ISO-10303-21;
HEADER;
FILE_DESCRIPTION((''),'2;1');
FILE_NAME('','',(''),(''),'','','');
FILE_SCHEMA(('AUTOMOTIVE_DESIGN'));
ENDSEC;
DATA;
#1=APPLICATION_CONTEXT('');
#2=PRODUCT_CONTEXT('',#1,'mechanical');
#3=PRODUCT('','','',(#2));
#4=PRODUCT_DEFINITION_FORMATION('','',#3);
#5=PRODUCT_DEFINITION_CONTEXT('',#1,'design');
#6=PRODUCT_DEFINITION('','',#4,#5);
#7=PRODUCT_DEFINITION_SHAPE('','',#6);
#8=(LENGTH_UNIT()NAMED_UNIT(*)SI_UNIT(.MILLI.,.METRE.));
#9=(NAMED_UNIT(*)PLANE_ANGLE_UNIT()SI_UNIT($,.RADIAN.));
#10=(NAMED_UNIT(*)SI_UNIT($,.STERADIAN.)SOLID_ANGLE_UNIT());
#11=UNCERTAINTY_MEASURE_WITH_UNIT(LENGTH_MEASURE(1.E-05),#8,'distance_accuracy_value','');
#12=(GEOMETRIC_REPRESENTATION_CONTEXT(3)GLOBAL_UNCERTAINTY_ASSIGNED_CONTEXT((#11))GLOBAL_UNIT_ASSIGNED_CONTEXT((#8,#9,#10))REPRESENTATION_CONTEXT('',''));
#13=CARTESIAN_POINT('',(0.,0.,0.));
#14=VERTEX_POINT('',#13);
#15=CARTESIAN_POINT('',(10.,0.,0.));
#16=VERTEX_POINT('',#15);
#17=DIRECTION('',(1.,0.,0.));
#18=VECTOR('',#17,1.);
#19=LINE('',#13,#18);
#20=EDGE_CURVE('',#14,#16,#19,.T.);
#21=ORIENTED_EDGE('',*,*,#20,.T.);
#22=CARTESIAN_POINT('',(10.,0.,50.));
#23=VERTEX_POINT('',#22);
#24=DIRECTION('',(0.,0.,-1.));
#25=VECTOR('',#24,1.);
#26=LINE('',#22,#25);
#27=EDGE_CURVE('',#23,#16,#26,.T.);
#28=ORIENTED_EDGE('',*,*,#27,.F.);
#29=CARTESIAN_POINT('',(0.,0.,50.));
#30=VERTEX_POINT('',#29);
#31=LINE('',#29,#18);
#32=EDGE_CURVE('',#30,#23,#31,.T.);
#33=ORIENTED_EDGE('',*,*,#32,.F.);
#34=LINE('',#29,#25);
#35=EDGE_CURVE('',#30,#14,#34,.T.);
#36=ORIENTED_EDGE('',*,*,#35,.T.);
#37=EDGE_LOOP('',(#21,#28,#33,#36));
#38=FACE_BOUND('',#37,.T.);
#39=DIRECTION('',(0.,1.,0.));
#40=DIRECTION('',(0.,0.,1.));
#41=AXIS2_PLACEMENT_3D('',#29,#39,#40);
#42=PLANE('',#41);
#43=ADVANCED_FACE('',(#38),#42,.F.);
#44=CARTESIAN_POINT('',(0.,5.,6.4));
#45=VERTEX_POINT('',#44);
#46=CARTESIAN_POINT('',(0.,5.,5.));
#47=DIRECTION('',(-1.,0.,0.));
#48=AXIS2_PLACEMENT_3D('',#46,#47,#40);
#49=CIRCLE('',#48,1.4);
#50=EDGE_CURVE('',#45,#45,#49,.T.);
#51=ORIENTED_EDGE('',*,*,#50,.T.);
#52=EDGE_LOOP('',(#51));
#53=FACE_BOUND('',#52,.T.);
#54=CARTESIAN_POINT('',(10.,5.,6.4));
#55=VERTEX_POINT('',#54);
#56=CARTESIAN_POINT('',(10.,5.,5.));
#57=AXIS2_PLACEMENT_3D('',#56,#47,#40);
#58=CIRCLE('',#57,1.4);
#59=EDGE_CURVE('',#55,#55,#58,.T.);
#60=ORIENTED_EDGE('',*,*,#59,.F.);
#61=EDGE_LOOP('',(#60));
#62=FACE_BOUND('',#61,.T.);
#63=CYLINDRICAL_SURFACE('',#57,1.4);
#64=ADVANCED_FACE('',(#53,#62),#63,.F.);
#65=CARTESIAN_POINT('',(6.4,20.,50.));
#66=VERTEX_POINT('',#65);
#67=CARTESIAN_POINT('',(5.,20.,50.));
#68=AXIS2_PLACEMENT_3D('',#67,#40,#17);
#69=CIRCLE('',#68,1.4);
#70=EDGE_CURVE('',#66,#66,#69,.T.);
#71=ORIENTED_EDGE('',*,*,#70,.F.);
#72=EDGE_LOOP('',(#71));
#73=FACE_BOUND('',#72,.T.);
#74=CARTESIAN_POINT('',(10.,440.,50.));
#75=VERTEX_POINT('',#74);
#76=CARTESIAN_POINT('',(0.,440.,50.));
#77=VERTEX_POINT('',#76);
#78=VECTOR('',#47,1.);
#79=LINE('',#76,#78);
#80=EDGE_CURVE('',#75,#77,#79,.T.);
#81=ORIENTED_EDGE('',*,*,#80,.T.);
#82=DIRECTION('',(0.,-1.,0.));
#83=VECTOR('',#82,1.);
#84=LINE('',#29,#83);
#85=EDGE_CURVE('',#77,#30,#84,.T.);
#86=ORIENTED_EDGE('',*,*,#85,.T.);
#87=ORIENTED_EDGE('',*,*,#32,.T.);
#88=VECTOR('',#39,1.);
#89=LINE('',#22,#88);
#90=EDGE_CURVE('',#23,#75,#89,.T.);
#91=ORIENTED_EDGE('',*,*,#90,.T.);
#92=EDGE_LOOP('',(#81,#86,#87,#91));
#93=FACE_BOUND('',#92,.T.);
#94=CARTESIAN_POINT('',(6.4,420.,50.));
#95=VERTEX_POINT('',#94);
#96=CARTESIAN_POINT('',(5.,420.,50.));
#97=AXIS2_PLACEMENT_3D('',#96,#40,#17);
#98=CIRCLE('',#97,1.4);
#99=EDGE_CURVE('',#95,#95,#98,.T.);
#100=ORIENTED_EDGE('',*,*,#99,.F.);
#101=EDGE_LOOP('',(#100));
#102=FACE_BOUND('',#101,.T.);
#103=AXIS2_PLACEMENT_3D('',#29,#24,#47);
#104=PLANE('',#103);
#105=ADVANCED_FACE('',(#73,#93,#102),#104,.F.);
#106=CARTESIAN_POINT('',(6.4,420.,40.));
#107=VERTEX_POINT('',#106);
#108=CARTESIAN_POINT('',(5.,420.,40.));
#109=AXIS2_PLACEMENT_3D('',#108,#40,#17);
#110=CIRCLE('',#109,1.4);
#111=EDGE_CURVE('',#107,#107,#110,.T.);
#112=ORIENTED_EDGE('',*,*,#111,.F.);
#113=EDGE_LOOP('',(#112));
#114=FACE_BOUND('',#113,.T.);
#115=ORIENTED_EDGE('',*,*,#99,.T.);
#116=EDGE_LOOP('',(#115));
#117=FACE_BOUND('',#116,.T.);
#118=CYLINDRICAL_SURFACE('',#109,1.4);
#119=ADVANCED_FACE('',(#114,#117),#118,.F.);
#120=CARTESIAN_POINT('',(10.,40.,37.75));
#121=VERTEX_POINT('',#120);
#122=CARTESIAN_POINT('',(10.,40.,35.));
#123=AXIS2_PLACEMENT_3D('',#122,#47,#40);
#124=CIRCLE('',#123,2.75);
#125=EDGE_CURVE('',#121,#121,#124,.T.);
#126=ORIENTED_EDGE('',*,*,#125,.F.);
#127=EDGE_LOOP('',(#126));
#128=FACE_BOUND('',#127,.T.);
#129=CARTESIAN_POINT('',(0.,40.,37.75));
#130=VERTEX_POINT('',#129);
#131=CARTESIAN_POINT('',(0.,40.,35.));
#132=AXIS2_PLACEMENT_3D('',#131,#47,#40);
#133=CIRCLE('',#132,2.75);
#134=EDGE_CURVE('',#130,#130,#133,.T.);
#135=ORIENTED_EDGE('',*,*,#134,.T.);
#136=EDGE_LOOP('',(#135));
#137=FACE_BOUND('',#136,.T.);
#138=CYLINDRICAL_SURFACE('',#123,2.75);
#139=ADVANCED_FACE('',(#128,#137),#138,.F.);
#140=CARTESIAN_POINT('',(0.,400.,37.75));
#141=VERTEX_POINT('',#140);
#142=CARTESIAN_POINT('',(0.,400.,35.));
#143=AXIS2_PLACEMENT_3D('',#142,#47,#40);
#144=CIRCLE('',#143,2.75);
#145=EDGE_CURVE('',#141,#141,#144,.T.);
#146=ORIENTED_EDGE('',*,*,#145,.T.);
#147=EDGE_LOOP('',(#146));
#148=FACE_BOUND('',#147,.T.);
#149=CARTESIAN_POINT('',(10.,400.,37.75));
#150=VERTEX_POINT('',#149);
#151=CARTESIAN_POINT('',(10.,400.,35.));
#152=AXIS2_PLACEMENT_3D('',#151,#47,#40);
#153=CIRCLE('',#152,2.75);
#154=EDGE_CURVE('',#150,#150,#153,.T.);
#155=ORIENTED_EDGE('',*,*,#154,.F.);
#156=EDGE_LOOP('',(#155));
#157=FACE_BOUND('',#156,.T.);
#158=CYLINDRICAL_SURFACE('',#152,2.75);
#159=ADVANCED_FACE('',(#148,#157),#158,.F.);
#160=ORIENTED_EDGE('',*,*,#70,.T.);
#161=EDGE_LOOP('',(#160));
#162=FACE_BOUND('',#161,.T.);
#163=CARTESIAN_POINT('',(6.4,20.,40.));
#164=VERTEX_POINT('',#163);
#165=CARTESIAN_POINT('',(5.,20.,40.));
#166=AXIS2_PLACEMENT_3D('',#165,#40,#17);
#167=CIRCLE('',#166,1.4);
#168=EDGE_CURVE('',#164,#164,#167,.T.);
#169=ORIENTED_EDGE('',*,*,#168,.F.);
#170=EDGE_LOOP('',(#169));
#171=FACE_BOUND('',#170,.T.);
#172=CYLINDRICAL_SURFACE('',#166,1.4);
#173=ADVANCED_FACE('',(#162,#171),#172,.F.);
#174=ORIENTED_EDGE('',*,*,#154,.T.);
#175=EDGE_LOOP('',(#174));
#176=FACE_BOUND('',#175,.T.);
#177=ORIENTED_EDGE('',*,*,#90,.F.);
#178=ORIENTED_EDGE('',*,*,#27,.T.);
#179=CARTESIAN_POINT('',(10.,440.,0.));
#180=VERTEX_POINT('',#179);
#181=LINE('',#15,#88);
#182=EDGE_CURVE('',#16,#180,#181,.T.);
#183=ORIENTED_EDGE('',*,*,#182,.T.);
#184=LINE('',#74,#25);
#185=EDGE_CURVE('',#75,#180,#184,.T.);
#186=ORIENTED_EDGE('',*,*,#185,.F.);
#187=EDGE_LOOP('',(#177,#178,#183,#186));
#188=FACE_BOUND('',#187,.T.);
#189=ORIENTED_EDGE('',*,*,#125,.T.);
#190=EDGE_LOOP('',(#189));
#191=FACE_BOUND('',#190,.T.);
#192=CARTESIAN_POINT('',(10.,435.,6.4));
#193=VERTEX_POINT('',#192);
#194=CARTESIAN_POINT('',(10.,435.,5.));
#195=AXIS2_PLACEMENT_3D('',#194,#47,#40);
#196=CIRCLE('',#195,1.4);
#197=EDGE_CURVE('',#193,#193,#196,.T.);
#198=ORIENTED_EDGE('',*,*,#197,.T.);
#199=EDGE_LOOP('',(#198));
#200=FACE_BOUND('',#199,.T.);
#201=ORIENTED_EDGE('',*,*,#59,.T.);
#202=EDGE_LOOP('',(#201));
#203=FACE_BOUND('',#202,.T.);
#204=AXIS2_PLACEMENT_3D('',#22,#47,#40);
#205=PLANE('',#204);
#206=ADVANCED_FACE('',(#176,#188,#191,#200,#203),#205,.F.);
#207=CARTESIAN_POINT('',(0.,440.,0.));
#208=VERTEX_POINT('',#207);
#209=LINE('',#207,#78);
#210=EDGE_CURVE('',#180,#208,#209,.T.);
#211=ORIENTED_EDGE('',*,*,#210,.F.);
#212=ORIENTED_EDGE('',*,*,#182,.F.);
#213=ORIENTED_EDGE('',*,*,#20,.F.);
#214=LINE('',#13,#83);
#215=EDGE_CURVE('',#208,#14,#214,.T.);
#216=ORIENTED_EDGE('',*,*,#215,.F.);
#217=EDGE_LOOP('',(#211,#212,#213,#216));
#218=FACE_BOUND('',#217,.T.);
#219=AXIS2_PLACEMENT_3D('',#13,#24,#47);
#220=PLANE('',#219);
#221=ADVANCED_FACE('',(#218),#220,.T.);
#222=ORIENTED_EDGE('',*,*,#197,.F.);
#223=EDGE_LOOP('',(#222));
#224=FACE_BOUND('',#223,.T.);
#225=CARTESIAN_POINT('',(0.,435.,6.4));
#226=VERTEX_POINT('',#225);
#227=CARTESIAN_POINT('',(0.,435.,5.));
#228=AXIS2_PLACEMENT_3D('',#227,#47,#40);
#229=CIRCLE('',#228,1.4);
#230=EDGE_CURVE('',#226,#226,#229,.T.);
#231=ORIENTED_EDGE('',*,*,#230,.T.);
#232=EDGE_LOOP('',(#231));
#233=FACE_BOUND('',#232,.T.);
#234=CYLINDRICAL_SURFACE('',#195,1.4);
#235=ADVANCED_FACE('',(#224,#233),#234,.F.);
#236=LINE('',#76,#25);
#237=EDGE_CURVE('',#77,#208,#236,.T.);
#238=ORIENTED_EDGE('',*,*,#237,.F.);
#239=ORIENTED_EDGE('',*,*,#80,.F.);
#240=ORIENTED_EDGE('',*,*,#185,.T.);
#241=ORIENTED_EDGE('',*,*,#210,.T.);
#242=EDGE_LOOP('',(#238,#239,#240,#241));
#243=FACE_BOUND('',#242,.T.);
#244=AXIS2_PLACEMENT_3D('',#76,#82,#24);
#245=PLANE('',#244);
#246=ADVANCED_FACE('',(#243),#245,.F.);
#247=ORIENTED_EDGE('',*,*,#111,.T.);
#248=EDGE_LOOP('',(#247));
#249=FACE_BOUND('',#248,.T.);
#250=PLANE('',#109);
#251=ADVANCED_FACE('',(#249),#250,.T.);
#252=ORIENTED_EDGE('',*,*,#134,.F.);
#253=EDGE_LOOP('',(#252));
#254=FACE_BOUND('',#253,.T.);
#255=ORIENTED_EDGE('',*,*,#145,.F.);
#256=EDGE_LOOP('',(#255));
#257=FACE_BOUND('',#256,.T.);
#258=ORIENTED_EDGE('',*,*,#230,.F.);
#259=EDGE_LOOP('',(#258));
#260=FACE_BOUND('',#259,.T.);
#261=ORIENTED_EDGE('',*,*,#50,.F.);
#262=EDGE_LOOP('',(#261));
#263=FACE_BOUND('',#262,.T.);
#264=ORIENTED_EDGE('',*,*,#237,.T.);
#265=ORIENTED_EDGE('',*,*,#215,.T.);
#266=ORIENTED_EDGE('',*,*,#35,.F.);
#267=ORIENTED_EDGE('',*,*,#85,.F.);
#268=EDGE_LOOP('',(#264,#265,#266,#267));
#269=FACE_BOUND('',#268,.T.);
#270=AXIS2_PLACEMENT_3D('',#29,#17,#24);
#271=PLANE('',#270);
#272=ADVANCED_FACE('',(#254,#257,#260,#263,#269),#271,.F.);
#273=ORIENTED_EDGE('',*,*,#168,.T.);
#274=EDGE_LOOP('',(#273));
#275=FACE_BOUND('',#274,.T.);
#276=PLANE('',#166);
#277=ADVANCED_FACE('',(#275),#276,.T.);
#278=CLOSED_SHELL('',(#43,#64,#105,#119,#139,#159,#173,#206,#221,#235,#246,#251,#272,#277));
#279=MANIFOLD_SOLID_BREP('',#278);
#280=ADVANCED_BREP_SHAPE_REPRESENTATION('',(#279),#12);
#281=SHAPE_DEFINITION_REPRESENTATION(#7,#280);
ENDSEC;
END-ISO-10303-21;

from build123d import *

# Parameters (mm, degrees)
SKETCH3_W           = 10
SKETCH3_H           = 440
BOSS_EXTRUDE1_DEPTH = 50
SKETCH4_R           = 1.4
CUT_EXTRUDE2_DEPTH  = 10
SKETCH5_R           = 2.75
CUT_EXTRUDE3_DEPTH  = 10
SKETCH6_R           = 1.4
CUT_EXTRUDE4_DEPTH  = 10


with BuildPart() as part:
    # Sketch3 → Boss-Extrude1 (new body)
    with BuildSketch(Plane.XY):
        with Locations((5, 220)):
            Rectangle(SKETCH3_W, SKETCH3_H)
    extrude(amount=BOSS_EXTRUDE1_DEPTH)

    # Sketch4 → Cut-Extrude2 (cut)
    with BuildSketch(Plane.XY.offset(50)):
        with Locations((5, 420)):
            Circle(SKETCH4_R)
        with Locations((5, 20)):
            Circle(SKETCH4_R)
    extrude(amount=-CUT_EXTRUDE2_DEPTH, mode=Mode.SUBTRACT)

    # Sketch5 → Cut-Extrude3 (cut)
    with BuildSketch(Plane.ZY):
        with Locations((35, 400)):
            Circle(SKETCH5_R)
        with Locations((35, 40)):
            Circle(SKETCH5_R)
    extrude(amount=-CUT_EXTRUDE3_DEPTH, mode=Mode.SUBTRACT)

    # Sketch6 → Cut-Extrude4 (cut)
    with BuildSketch(Plane.ZY):
        with Locations((5, 435)):
            Circle(SKETCH6_R)
        with Locations((5, 5)):
            Circle(SKETCH6_R)
    extrude(amount=-CUT_EXTRUDE4_DEPTH, mode=Mode.SUBTRACT)


solid = part.part
